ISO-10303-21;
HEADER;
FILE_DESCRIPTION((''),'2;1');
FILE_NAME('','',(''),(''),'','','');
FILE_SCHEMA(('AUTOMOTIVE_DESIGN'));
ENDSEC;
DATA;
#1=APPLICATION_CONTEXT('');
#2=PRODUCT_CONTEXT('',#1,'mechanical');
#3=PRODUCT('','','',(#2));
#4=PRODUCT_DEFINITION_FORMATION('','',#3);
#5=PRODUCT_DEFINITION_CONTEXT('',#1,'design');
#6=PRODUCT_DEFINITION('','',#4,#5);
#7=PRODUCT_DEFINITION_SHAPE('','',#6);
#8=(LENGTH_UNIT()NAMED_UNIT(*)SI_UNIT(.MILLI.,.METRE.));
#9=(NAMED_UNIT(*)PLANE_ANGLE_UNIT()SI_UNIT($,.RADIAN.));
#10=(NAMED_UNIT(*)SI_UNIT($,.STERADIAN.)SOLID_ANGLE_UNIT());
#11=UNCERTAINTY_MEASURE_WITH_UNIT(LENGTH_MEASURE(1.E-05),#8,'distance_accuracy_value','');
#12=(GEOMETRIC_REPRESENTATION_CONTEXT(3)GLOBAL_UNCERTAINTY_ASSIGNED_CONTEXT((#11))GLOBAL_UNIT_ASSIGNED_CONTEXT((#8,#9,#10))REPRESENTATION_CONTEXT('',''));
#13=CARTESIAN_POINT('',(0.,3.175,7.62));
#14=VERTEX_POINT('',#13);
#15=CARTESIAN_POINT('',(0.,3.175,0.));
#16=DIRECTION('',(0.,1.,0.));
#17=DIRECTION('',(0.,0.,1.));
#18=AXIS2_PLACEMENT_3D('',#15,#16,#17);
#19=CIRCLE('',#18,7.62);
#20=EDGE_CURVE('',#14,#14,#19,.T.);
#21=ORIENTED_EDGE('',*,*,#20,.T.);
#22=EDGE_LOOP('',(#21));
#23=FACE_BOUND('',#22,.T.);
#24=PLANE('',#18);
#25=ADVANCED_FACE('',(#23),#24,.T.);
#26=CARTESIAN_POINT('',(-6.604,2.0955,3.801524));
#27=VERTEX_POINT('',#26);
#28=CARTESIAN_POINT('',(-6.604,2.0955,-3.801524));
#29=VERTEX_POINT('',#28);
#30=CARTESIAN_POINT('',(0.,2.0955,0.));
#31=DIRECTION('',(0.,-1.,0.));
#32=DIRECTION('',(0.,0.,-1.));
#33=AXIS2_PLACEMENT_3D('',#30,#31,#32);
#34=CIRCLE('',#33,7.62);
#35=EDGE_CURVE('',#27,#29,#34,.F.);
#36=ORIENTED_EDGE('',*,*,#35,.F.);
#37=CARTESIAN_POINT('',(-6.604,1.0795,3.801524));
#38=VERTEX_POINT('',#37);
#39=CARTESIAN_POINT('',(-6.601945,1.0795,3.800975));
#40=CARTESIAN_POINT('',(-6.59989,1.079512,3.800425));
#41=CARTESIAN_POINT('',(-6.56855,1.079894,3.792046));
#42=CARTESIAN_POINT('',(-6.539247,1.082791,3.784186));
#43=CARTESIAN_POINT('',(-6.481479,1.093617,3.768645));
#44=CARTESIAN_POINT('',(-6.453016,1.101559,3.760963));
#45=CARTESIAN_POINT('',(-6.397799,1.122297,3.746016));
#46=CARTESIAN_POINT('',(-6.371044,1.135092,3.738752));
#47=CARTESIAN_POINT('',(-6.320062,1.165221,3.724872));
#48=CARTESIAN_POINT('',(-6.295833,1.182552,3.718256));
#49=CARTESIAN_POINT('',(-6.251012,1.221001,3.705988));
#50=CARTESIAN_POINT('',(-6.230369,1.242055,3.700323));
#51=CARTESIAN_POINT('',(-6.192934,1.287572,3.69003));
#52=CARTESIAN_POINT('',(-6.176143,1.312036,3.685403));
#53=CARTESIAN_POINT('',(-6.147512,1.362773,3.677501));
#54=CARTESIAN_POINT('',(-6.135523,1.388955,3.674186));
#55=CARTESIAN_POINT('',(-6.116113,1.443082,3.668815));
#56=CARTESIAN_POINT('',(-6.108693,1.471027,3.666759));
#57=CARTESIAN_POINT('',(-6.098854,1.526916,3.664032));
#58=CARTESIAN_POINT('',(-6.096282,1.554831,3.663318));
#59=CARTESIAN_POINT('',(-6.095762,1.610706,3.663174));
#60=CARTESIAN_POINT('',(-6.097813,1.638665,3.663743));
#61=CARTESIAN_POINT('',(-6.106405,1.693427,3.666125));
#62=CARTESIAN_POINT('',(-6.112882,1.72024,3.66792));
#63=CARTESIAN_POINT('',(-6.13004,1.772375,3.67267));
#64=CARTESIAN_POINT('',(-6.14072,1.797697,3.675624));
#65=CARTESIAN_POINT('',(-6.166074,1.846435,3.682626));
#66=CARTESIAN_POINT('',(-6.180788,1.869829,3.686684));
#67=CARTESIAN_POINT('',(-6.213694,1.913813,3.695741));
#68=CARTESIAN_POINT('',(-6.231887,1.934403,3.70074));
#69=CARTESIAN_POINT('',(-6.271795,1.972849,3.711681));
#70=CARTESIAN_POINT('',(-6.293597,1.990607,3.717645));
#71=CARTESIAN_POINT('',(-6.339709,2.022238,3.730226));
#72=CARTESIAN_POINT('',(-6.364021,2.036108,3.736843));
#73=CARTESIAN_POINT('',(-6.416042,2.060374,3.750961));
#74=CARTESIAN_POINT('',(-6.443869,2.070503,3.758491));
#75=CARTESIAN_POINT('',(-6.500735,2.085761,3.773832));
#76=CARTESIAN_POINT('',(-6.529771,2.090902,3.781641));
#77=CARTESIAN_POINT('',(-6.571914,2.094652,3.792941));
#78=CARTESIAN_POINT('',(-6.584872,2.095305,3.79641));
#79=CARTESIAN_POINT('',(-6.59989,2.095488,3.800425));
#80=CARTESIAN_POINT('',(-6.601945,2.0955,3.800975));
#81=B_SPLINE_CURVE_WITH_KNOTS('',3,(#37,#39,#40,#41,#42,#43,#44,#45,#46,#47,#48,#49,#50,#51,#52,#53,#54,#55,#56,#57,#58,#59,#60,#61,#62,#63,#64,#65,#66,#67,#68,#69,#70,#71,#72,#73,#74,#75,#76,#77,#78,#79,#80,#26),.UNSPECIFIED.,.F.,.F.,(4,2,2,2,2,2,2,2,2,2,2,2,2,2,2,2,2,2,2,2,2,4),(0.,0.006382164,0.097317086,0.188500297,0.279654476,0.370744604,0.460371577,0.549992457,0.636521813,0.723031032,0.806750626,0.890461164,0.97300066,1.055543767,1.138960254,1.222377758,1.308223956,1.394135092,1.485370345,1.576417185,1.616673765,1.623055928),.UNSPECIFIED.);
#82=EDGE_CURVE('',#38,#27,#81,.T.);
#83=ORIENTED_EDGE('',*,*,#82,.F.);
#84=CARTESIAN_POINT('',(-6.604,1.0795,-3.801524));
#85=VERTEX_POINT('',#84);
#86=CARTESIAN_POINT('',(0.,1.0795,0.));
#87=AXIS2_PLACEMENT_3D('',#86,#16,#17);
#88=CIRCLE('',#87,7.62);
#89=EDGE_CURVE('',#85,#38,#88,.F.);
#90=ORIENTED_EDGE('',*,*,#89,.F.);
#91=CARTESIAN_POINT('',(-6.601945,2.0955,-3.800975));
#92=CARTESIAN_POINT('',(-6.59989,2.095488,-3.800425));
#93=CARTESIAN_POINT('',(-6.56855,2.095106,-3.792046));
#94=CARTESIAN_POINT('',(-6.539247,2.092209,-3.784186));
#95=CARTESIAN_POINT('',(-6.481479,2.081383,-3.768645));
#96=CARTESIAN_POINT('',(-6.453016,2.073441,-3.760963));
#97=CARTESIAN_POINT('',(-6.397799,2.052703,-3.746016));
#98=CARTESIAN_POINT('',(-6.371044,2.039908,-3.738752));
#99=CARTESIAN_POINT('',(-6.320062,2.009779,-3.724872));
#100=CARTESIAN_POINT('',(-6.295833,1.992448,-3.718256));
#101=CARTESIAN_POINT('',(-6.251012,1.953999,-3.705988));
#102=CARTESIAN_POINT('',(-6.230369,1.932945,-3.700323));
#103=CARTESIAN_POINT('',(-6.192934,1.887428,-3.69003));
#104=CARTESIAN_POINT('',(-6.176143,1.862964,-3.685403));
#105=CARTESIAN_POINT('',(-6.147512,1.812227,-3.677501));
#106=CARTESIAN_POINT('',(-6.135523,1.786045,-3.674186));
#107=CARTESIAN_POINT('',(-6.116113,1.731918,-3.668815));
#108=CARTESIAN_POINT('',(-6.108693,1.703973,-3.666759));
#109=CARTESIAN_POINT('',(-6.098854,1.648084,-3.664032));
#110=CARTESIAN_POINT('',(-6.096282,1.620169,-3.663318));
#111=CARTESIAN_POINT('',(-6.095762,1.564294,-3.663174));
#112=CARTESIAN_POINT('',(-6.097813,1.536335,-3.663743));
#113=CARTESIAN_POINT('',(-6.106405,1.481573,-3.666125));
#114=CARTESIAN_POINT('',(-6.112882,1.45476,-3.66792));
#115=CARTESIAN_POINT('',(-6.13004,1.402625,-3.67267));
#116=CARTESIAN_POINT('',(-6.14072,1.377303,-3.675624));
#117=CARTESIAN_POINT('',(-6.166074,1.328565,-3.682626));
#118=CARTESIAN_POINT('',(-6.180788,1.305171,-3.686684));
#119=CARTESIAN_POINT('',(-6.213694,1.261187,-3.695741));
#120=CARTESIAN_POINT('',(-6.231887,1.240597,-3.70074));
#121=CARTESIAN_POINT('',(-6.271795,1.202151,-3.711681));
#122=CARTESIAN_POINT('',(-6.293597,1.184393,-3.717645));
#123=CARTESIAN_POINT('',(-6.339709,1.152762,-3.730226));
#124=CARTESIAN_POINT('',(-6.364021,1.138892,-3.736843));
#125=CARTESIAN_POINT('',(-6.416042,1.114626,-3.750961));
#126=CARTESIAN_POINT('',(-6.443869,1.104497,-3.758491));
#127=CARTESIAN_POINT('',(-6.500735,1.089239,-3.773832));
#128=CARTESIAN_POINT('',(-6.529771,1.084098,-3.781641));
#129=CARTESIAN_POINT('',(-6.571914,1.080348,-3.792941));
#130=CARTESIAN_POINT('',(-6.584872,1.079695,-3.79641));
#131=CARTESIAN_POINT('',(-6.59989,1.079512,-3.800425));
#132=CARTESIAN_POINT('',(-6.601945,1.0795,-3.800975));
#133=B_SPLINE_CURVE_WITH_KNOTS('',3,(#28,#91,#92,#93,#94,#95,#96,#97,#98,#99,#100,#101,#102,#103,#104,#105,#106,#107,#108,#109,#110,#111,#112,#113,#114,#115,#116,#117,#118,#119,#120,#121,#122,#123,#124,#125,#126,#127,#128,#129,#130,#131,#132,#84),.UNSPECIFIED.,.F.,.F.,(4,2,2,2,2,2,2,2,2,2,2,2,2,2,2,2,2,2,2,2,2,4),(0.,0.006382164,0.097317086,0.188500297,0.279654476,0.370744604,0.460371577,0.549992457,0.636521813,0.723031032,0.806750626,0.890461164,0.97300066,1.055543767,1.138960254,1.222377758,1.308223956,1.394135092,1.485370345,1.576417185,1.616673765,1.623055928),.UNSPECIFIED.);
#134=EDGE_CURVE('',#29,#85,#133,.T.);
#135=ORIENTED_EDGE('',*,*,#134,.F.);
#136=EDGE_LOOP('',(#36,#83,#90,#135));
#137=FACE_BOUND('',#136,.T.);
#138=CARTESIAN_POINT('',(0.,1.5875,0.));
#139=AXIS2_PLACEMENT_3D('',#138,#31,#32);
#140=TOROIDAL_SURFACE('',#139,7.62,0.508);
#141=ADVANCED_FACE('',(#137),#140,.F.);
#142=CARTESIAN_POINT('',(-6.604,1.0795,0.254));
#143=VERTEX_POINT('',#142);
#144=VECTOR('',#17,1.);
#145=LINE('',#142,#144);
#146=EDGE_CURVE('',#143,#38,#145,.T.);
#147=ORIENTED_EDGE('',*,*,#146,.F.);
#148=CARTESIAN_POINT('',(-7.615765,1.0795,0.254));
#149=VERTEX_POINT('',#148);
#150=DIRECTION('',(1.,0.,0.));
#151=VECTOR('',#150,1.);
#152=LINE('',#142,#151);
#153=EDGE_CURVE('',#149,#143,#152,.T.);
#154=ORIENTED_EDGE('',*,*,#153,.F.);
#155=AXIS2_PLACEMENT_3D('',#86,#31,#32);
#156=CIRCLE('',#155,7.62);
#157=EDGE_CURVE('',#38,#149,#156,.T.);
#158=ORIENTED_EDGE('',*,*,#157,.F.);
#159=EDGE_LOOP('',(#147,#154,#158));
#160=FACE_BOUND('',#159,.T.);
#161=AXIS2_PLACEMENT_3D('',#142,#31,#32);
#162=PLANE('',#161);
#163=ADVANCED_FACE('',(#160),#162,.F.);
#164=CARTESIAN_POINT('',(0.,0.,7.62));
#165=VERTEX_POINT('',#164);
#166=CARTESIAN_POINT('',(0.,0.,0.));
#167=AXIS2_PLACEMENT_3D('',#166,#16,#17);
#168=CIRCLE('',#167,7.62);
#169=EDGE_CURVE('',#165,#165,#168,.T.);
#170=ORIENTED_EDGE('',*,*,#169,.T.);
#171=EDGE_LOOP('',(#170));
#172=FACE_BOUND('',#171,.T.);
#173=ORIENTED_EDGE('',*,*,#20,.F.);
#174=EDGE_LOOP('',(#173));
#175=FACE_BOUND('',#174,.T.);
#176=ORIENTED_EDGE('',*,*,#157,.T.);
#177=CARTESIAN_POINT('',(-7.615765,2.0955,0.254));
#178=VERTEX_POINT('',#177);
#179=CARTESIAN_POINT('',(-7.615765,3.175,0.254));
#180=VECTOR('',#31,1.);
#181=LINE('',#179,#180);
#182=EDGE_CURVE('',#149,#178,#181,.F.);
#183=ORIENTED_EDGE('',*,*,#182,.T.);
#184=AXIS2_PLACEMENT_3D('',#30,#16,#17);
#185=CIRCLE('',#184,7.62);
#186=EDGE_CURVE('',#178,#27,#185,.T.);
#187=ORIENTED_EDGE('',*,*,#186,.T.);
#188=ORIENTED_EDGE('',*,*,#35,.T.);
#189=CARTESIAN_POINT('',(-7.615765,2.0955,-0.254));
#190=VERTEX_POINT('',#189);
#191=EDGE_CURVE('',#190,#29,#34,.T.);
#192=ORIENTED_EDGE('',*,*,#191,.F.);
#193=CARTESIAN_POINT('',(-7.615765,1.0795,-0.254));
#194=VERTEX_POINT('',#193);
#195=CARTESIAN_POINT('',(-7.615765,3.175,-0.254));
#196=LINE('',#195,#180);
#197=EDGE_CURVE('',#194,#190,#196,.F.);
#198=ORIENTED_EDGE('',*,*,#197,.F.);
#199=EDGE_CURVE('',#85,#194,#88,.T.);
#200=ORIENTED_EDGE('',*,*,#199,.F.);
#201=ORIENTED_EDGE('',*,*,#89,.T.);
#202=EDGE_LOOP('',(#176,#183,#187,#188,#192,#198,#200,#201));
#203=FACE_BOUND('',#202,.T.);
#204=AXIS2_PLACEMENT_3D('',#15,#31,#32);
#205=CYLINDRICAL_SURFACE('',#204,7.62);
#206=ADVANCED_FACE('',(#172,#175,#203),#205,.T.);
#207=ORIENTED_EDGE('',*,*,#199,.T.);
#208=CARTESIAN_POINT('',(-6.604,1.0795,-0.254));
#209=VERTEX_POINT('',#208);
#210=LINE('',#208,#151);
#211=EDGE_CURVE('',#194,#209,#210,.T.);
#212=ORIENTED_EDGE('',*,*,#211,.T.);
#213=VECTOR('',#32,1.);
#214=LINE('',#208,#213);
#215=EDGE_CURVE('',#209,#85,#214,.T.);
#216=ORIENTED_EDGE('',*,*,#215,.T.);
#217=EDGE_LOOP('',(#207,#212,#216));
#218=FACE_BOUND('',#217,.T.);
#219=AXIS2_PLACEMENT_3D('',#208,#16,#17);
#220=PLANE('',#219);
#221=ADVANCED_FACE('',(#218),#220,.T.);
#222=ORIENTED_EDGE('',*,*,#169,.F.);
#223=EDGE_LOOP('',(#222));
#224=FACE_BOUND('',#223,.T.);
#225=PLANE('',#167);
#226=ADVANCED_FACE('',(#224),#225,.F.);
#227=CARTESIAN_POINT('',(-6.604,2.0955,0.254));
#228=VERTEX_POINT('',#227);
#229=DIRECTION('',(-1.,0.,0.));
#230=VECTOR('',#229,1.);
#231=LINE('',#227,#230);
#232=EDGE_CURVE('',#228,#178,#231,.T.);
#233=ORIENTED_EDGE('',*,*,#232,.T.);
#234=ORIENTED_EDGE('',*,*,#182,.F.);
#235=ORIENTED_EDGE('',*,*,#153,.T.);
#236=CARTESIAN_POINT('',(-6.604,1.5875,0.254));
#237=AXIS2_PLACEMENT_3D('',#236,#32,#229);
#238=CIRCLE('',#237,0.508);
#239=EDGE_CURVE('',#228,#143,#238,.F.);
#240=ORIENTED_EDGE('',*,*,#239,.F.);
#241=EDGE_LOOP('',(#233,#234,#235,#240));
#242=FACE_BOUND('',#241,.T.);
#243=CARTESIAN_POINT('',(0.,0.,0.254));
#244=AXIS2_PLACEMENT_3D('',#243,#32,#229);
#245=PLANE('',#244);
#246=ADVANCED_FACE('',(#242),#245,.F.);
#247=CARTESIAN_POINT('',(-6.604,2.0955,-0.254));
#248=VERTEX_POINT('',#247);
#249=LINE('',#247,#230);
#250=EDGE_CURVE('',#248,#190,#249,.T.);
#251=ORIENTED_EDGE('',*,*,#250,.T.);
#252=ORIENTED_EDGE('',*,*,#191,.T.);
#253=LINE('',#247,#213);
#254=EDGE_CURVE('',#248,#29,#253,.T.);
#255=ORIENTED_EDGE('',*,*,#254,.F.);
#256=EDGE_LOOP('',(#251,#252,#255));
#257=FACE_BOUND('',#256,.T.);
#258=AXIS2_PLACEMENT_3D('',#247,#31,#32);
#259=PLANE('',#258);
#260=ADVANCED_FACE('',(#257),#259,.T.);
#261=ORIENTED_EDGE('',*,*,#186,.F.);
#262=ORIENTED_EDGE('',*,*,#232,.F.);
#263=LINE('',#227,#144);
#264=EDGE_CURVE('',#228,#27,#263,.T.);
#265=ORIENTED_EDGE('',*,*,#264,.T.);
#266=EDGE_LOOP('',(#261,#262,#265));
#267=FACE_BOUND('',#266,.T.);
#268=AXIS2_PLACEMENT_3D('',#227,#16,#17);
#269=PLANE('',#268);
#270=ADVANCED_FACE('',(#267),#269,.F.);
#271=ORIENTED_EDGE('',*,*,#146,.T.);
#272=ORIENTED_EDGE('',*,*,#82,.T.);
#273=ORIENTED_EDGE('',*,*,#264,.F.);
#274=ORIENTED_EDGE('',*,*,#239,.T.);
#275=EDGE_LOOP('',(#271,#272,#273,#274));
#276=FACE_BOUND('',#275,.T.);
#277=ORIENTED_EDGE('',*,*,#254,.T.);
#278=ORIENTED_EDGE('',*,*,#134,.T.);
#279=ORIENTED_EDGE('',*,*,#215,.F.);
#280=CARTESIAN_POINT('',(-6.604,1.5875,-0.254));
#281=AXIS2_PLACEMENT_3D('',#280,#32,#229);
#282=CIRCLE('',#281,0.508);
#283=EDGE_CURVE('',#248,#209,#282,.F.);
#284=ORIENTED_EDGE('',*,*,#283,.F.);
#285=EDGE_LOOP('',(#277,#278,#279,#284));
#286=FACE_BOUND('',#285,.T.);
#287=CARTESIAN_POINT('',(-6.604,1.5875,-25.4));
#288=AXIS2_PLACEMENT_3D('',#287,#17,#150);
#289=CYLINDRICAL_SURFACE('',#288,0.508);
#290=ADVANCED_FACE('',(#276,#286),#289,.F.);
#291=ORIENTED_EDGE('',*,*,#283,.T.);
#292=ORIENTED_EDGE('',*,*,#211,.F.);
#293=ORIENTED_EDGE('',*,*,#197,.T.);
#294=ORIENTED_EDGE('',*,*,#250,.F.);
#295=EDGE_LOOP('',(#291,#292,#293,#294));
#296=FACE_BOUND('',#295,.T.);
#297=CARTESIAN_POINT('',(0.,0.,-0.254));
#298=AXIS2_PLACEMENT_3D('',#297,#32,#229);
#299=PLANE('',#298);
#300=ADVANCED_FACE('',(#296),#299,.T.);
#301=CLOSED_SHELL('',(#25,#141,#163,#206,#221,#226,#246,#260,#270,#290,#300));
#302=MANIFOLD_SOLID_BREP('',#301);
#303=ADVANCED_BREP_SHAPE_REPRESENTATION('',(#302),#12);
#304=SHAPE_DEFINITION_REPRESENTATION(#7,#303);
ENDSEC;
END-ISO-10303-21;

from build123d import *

# Parameters (mm, degrees)
SKETCH1_R           = 7.62
BOSS_EXTRUDE1_DEPTH = 3.175
SKETCH3_R           = 0.508
CUT_EXTRUDE1_DEPTH  = 25.4
SKETCH6_W           = 1.220456994
SKETCH6_H           = 1.016
CUT_EXTRUDE2_DEPTH  = 7.366
SKETCH7_W           = 1.220456994
SKETCH7_H           = 1.016
CUT_EXTRUDE3_DEPTH  = 7.366
SKETCH4_R           = 0.508


with BuildPart() as part:
    # Sketch1 → Boss-Extrude1 (new body)
    with BuildSketch(Plane(origin=(0, 0, 0), x_dir=(1, 0, 0), z_dir=(0, 1, 0))):
        Circle(SKETCH1_R)
    extrude(amount=BOSS_EXTRUDE1_DEPTH)

    # Sketch3 → Cut-Extrude1 (cut, symmetric)
    with BuildSketch(Plane.XY):
        with Locations((-6.604, 1.5875)):
            Circle(SKETCH3_R)
    extrude(amount=CUT_EXTRUDE1_DEPTH, both=True, mode=Mode.SUBTRACT)

    # Sketch6 → Cut-Extrude2 (cut)
    with BuildSketch(Plane.XY.offset(-7.62)):
        with Locations((-7.214228497, 1.5875)):
            Rectangle(SKETCH6_W, SKETCH6_H)
    extrude(amount=CUT_EXTRUDE2_DEPTH, mode=Mode.SUBTRACT)

    # Sketch7 → Cut-Extrude3 (cut)
    with BuildSketch(Plane.XY.offset(7.62)):
        with Locations((-7.214228497, 1.5875)):
            Rectangle(SKETCH7_W, SKETCH7_H)
    extrude(amount=-CUT_EXTRUDE3_DEPTH, mode=Mode.SUBTRACT)

    # Cut-Sweep1: sweep along a path in Sketch5
    with BuildLine(Plane(origin=(0, 0, 0), x_dir=(1, 0, 0), z_dir=(0, 1, 0))) as cut_sweep1_path:
        ThreePointArc((-7.554809844, -0.994609585), (7.62, 0), (-7.554809844, 0.994609585))
    # Sketch4 → Cut-Sweep1 (sweep, cut)
    with BuildSketch(Plane.XY):
        with Locations((7.62, 1.5875)):
            Circle(SKETCH4_R)
    sweep(path=cut_sweep1_path.line, mode=Mode.SUBTRACT)


solid = part.part
